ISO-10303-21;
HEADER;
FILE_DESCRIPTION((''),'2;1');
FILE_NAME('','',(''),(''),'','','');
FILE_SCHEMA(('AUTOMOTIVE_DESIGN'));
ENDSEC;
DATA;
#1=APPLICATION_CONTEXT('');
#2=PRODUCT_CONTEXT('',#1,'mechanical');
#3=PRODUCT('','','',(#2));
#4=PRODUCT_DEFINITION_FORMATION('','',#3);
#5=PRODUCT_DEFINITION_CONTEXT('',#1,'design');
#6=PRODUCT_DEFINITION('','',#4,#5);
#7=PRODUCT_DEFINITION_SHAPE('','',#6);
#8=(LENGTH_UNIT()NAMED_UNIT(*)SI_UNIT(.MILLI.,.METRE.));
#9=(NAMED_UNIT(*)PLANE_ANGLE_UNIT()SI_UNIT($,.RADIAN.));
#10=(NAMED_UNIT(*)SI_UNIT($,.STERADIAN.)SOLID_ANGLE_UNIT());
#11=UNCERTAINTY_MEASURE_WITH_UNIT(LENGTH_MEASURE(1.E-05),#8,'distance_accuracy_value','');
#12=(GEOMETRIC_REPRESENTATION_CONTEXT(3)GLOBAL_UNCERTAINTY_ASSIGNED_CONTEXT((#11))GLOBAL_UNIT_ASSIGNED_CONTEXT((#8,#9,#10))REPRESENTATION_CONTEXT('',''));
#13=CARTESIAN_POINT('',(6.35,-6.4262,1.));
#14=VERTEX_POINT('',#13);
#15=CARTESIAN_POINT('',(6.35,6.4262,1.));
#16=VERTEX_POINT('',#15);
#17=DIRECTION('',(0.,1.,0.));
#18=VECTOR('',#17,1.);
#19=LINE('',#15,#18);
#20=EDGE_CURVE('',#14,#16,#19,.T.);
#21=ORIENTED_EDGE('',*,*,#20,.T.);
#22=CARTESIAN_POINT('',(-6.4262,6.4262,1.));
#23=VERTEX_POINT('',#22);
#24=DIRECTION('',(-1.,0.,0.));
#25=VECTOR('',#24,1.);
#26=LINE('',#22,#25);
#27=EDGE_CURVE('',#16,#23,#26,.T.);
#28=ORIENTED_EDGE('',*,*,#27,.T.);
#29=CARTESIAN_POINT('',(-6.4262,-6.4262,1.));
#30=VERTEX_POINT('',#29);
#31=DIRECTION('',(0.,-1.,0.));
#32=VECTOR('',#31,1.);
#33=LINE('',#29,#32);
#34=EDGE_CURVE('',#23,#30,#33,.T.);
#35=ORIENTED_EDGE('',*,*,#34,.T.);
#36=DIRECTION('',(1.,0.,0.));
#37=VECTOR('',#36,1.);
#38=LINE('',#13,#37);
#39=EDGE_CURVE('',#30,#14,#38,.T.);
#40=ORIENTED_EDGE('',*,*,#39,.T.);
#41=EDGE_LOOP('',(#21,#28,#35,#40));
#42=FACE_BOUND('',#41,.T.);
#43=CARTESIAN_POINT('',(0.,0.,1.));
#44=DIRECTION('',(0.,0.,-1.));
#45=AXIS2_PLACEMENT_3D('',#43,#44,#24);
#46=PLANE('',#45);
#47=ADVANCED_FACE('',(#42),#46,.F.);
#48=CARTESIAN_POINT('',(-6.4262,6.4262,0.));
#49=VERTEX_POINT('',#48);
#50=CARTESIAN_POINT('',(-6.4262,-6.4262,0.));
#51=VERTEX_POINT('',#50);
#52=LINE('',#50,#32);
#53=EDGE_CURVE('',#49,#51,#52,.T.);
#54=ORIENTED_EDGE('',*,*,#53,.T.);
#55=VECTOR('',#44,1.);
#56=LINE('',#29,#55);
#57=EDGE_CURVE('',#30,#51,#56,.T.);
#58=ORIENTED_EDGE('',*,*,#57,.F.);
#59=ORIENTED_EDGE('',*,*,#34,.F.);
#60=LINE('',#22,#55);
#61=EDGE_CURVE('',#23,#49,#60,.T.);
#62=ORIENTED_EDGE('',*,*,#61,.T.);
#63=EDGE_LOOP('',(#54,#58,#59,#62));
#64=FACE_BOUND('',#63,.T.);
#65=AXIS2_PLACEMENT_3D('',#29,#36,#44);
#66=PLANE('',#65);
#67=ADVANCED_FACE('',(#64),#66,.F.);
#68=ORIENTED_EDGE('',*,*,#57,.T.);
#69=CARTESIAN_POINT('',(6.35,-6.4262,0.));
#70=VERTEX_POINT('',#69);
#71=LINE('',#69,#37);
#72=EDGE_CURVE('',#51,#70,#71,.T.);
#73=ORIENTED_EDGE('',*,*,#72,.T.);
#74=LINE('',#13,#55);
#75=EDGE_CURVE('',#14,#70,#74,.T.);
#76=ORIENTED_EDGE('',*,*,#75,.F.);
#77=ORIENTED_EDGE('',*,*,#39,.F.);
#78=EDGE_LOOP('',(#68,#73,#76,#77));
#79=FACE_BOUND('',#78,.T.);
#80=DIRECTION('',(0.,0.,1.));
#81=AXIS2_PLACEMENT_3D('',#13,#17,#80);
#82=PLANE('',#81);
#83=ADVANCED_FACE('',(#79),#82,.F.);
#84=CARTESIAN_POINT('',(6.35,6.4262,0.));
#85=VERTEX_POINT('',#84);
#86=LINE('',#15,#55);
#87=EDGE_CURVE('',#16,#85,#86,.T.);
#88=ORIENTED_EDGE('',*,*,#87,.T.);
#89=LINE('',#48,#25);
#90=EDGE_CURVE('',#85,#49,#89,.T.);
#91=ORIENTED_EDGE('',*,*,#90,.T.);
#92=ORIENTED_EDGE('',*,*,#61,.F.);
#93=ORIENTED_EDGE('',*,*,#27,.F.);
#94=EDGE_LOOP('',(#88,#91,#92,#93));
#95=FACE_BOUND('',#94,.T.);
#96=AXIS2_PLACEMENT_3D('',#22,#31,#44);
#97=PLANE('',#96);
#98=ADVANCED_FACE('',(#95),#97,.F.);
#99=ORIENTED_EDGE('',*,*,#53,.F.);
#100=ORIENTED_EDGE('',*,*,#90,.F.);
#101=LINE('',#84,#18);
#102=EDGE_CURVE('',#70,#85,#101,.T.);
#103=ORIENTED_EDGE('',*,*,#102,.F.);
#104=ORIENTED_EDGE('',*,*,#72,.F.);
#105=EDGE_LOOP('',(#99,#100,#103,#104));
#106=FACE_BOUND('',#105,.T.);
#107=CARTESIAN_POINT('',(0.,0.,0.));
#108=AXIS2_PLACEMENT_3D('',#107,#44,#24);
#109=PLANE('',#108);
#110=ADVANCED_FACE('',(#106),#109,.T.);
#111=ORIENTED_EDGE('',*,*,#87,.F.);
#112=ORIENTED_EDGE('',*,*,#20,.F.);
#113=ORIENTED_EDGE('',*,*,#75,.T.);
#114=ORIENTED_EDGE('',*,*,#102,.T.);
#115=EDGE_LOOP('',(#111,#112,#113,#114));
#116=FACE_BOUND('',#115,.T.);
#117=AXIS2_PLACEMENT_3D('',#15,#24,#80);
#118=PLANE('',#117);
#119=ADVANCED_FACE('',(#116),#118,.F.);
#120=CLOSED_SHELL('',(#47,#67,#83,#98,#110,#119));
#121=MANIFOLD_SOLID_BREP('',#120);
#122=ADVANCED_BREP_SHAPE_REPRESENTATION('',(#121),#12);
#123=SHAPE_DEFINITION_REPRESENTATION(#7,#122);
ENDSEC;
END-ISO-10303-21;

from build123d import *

# Parameters (mm, degrees)
SKETCH1_W               = 12.7762
SKETCH1_H               = 12.8524
COMPONENT_OUTLINE_DEPTH = 1


with BuildPart() as part:
    # Sketch1 → Component_Outline (new body)
    with BuildSketch(Plane.XY):
        with Locations((-0.0381, 0)):
            Rectangle(SKETCH1_W, SKETCH1_H)
    extrude(amount=COMPONENT_OUTLINE_DEPTH)


solid = part.part
